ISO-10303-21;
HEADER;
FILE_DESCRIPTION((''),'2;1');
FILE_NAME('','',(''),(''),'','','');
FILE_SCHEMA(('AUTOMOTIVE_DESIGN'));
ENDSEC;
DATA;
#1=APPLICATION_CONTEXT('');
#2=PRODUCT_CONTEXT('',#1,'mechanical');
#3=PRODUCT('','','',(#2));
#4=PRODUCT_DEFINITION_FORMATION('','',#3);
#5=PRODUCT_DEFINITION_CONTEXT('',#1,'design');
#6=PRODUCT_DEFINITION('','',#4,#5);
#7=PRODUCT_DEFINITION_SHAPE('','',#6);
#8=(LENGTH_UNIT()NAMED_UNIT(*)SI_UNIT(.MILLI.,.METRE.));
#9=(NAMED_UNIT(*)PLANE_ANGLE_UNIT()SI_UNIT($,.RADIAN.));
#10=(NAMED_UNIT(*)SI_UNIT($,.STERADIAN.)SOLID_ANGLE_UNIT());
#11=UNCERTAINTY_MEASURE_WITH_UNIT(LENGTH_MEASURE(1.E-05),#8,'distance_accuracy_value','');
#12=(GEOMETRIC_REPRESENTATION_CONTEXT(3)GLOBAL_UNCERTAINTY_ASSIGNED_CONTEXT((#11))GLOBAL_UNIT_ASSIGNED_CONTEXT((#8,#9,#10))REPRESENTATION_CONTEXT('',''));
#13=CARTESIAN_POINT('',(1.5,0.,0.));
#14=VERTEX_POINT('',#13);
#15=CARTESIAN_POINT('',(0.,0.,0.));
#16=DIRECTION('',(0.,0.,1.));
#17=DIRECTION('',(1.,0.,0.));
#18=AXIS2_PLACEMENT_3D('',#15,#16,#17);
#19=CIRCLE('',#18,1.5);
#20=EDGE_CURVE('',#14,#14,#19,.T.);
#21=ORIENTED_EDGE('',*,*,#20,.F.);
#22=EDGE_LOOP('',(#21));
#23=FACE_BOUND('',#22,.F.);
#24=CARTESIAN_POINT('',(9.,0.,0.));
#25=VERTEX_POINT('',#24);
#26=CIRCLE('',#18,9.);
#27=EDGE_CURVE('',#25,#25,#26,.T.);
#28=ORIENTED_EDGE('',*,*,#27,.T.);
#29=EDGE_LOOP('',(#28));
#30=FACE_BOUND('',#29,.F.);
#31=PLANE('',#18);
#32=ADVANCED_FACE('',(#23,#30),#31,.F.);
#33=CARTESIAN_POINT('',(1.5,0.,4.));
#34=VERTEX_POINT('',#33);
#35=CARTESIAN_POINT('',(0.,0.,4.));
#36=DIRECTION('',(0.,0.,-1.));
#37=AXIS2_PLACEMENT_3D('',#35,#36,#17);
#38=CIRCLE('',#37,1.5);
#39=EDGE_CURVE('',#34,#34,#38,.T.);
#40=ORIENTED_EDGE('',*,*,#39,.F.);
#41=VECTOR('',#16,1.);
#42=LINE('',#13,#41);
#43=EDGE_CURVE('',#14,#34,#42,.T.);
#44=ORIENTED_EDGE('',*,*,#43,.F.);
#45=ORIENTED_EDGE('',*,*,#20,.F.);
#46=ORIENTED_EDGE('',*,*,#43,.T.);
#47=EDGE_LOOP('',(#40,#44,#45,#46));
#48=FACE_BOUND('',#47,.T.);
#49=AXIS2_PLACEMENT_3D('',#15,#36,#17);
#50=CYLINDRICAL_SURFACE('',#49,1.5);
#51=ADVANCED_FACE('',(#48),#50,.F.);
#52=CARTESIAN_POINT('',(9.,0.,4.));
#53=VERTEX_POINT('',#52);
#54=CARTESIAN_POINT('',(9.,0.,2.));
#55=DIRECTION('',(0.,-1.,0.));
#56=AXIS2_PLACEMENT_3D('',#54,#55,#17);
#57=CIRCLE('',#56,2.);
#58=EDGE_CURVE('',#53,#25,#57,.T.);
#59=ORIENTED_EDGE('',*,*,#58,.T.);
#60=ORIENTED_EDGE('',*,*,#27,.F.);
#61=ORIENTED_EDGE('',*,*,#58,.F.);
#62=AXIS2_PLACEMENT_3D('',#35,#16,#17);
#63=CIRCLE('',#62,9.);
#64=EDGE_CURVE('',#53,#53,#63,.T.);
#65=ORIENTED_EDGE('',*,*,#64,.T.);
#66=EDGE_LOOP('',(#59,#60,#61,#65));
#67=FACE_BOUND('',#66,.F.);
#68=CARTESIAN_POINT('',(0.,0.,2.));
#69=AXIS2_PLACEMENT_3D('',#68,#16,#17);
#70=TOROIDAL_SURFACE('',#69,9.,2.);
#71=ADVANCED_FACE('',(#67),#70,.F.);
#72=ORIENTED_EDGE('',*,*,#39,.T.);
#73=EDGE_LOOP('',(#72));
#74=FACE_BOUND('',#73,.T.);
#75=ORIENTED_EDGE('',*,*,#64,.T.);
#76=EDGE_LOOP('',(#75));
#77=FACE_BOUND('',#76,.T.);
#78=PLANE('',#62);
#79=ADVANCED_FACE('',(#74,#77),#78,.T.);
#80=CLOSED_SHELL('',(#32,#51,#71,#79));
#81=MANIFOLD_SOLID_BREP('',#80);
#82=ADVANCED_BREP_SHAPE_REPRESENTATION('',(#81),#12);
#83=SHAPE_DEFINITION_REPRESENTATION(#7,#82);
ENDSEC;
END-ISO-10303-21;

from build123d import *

# Parameters (mm, degrees)
CYLINDER001_R     = 1.5
CYLINDER001_DEPTH = 5
TORUS_R           = 2
CYLINDER_R        = 9
CYLINDER_DEPTH    = 4


with BuildPart() as cylinder001:
    # Cylinder001 → Cylinder001 (new body)
    with BuildSketch(Plane.XY):
        Circle(CYLINDER001_R)
    extrude(amount=CYLINDER001_DEPTH)


with BuildPart() as torus:
    # Torus → Torus (revolve)
    with BuildSketch(Plane(origin=(0, 0, 2), x_dir=(1, 0, 0), z_dir=(0, -1, 0))):
        with Locations((9, 0)):
            Circle(TORUS_R)
    revolve(axis=Axis((0, 0, 2), (0, 0, 1)))


with BuildPart() as cut001:
    # Cylinder → Cylinder (new body)
    with BuildSketch(Plane.XY):
        Circle(CYLINDER_R)
    extrude(amount=CYLINDER_DEPTH)

    # Cut: cut Torus
    add(torus.part, mode=Mode.SUBTRACT)

    # Cut001: cut Cylinder001
    add(cylinder001.part, mode=Mode.SUBTRACT)


solid = cut001.part
